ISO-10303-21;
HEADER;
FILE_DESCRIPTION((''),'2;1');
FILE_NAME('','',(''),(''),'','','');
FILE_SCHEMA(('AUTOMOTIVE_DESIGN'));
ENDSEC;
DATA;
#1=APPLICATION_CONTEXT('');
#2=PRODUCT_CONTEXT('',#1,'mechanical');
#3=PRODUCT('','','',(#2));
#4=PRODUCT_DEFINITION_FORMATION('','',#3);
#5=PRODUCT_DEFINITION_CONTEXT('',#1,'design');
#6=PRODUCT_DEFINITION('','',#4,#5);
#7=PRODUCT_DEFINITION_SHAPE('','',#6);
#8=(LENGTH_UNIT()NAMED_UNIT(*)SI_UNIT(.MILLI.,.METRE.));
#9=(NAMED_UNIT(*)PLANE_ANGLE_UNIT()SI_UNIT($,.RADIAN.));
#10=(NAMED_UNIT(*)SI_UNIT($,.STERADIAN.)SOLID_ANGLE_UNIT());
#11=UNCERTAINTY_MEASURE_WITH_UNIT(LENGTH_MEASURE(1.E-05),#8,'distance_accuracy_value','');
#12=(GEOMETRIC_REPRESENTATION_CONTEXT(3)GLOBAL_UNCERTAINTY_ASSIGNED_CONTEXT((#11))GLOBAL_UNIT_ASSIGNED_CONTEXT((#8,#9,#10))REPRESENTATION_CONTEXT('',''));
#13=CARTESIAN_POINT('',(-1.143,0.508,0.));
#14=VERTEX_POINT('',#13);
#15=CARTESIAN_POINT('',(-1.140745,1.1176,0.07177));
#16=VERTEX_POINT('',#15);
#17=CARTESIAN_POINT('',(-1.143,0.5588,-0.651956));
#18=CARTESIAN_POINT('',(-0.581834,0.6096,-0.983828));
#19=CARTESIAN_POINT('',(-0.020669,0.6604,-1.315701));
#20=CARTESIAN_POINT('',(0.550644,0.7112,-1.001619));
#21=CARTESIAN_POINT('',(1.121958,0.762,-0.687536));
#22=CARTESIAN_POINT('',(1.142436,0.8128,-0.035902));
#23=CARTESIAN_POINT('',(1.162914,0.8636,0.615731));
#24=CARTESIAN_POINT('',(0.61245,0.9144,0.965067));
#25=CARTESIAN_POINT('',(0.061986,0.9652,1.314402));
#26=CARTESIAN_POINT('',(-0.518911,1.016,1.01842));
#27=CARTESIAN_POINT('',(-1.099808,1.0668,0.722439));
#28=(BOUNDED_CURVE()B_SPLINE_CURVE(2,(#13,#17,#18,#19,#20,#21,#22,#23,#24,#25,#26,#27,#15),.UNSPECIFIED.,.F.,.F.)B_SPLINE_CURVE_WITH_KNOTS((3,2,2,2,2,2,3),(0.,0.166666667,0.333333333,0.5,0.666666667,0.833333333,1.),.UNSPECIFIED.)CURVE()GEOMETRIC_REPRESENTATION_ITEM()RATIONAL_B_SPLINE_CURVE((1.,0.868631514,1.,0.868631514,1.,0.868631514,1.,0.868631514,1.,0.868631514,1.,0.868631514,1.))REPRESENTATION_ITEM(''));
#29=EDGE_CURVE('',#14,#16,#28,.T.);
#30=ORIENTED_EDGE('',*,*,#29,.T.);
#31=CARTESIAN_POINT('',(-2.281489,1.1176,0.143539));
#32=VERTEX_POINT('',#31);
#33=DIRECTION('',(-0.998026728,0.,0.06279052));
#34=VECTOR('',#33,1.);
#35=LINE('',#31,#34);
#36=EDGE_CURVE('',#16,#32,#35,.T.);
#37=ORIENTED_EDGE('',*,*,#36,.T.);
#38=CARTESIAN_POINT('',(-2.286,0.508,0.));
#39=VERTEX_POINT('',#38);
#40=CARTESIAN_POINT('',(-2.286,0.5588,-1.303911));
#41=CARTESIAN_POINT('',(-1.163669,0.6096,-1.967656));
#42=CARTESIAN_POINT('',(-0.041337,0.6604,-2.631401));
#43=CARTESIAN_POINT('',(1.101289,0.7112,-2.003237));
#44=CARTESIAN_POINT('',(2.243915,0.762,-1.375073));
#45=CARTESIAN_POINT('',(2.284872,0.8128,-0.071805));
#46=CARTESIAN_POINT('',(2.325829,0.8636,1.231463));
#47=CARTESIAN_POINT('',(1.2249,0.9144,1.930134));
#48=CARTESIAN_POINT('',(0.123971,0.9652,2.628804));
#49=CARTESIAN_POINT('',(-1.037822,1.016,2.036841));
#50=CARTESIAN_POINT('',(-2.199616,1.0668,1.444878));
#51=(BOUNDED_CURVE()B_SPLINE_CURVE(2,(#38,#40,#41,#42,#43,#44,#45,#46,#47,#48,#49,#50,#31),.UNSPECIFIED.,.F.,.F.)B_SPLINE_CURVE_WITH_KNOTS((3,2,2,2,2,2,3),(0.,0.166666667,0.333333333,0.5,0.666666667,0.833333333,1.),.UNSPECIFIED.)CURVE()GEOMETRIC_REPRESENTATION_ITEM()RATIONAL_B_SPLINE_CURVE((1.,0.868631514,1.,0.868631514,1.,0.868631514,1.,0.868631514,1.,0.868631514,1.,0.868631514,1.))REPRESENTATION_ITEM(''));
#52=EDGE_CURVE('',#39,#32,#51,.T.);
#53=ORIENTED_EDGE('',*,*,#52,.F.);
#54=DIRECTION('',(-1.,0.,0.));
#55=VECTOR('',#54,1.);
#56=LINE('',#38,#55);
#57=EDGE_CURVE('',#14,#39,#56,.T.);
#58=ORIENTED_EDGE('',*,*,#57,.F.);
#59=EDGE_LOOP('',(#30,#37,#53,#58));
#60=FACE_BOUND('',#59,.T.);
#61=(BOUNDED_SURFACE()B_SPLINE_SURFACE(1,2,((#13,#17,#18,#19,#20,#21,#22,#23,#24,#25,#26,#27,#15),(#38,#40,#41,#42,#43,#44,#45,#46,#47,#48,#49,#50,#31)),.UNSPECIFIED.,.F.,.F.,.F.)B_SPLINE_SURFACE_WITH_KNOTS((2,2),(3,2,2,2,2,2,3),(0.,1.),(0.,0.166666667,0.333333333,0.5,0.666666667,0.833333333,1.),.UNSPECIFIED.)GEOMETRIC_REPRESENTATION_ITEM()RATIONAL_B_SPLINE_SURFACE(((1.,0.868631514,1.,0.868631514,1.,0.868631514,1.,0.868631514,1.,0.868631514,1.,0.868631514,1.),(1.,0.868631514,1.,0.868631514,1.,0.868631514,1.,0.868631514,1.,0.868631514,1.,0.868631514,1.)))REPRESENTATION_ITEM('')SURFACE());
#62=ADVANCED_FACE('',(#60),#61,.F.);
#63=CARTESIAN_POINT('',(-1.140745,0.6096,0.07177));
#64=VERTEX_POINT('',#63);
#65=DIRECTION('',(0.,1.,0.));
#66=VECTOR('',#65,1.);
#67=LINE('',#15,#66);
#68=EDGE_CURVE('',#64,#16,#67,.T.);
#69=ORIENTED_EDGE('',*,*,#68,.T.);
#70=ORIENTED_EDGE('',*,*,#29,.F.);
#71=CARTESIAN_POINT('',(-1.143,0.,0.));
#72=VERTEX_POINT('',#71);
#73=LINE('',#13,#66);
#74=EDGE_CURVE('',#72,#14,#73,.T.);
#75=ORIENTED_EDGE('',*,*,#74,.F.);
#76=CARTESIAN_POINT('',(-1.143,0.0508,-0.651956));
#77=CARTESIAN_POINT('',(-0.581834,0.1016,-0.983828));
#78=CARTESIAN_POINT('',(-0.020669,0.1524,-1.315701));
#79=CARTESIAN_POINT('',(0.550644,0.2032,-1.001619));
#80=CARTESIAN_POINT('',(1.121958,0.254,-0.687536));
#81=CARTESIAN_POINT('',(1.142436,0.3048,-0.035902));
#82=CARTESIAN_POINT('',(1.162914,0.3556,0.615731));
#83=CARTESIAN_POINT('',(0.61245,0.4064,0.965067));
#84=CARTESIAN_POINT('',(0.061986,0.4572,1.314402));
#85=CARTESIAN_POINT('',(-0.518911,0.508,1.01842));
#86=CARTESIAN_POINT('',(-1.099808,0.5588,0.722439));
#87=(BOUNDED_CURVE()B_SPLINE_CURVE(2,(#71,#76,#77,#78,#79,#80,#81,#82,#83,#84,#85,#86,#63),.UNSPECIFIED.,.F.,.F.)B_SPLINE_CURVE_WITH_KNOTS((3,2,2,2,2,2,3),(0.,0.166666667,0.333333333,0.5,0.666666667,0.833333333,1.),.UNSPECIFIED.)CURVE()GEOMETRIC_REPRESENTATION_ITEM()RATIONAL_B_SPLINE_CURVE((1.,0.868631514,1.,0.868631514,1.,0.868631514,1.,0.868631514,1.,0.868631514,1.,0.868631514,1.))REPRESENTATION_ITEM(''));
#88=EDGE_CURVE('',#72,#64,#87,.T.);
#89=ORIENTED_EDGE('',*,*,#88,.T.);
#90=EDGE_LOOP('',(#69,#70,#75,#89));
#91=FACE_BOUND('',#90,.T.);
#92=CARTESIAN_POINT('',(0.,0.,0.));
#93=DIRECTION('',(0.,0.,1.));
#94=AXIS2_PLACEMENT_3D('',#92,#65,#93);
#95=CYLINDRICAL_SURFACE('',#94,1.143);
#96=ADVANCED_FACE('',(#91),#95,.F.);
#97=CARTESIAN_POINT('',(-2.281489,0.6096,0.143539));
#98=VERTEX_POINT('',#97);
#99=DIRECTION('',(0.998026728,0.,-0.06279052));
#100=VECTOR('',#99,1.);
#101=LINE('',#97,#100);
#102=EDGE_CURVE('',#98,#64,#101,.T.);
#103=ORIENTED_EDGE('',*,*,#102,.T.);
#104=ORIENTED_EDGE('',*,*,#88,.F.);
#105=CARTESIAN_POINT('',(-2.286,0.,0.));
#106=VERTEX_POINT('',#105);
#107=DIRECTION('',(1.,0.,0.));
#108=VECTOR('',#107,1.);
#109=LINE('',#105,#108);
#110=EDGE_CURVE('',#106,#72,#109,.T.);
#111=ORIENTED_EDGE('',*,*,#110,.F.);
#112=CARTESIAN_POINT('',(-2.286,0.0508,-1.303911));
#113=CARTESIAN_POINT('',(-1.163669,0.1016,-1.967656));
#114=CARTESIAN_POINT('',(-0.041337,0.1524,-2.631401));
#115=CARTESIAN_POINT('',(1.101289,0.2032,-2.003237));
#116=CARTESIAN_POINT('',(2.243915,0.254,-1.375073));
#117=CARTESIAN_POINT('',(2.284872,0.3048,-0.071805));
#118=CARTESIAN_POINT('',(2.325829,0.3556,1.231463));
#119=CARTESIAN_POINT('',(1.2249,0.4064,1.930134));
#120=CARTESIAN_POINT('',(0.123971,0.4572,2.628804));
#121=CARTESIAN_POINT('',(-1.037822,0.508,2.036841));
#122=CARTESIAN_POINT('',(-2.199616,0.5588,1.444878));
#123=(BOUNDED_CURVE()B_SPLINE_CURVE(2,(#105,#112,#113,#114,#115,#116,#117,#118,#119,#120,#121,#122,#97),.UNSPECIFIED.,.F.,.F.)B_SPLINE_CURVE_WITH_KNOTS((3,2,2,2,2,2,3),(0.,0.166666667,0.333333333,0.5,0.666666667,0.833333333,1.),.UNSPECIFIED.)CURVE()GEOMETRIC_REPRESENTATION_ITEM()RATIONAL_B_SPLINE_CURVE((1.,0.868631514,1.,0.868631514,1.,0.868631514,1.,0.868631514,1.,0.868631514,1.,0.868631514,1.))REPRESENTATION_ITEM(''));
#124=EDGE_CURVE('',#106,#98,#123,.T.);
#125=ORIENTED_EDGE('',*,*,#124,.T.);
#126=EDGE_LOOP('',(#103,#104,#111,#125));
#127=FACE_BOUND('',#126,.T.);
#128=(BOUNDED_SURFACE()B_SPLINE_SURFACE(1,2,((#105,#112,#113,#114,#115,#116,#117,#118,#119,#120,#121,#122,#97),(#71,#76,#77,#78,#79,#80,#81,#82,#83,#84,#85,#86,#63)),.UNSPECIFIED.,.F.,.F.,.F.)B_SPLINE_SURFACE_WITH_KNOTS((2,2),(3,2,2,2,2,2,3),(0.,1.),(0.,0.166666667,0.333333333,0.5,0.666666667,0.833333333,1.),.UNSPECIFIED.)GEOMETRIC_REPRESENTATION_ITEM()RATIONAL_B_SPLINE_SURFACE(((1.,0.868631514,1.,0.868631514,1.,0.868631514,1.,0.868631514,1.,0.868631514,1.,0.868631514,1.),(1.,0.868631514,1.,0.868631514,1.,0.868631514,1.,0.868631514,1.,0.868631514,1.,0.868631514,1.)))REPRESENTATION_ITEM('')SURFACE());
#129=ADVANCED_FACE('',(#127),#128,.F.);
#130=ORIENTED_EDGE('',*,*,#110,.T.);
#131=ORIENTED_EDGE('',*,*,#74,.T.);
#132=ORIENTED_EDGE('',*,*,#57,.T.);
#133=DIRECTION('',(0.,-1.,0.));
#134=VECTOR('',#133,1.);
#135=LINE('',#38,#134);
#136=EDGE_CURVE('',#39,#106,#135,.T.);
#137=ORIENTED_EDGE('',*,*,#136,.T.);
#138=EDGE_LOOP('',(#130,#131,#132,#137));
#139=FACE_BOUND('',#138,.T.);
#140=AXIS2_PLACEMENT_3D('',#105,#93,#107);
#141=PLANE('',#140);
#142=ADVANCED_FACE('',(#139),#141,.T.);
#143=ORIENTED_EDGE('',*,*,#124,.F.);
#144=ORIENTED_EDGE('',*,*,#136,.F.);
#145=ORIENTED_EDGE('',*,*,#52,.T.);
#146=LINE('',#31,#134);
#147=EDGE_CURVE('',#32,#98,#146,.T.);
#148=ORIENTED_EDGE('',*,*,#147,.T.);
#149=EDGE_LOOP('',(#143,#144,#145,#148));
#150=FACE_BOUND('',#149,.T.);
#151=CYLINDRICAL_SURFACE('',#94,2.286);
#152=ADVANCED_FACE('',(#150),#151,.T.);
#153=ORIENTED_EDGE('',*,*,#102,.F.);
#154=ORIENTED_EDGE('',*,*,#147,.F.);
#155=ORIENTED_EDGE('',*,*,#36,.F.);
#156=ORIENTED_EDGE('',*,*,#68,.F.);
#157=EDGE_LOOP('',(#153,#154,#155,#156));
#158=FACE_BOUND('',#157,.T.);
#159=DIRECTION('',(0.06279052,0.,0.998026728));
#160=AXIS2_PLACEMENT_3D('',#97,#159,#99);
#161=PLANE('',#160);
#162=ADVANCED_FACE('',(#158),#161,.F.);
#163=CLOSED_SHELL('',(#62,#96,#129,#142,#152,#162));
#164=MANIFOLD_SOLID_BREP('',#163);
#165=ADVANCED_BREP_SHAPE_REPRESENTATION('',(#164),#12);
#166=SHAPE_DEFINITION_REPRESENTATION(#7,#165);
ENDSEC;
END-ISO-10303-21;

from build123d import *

# Parameters (mm, degrees)
SWEEP1_PITCH       = 0.615757576
SWEEP1_HEIGHT      = 0.6096
SWEEP1_RADIUS      = 2.286
SWEEP1_START_ANGLE = -90
SKETCH1_W          = 1.143
SKETCH1_H          = 0.508


with BuildPart() as part:
    # Sweep1: sweep along a helix
    with BuildLine() as sweep1_path:
        add(Helix(SWEEP1_PITCH, SWEEP1_HEIGHT, SWEEP1_RADIUS, center=(0, 0, 0), direction=(0, 1, 0), lefthand=True, mode=Mode.PRIVATE).rotate(Axis((0, 0, 0), (0, 1, 0)), SWEEP1_START_ANGLE))
    # Sketch1 → Sweep1 (sweep)
    with BuildSketch(Plane.XY):
        with Locations((-1.7145, 0.254)):
            Rectangle(SKETCH1_W, SKETCH1_H)
    sweep(path=sweep1_path.line, is_frenet=True)


solid = part.part
